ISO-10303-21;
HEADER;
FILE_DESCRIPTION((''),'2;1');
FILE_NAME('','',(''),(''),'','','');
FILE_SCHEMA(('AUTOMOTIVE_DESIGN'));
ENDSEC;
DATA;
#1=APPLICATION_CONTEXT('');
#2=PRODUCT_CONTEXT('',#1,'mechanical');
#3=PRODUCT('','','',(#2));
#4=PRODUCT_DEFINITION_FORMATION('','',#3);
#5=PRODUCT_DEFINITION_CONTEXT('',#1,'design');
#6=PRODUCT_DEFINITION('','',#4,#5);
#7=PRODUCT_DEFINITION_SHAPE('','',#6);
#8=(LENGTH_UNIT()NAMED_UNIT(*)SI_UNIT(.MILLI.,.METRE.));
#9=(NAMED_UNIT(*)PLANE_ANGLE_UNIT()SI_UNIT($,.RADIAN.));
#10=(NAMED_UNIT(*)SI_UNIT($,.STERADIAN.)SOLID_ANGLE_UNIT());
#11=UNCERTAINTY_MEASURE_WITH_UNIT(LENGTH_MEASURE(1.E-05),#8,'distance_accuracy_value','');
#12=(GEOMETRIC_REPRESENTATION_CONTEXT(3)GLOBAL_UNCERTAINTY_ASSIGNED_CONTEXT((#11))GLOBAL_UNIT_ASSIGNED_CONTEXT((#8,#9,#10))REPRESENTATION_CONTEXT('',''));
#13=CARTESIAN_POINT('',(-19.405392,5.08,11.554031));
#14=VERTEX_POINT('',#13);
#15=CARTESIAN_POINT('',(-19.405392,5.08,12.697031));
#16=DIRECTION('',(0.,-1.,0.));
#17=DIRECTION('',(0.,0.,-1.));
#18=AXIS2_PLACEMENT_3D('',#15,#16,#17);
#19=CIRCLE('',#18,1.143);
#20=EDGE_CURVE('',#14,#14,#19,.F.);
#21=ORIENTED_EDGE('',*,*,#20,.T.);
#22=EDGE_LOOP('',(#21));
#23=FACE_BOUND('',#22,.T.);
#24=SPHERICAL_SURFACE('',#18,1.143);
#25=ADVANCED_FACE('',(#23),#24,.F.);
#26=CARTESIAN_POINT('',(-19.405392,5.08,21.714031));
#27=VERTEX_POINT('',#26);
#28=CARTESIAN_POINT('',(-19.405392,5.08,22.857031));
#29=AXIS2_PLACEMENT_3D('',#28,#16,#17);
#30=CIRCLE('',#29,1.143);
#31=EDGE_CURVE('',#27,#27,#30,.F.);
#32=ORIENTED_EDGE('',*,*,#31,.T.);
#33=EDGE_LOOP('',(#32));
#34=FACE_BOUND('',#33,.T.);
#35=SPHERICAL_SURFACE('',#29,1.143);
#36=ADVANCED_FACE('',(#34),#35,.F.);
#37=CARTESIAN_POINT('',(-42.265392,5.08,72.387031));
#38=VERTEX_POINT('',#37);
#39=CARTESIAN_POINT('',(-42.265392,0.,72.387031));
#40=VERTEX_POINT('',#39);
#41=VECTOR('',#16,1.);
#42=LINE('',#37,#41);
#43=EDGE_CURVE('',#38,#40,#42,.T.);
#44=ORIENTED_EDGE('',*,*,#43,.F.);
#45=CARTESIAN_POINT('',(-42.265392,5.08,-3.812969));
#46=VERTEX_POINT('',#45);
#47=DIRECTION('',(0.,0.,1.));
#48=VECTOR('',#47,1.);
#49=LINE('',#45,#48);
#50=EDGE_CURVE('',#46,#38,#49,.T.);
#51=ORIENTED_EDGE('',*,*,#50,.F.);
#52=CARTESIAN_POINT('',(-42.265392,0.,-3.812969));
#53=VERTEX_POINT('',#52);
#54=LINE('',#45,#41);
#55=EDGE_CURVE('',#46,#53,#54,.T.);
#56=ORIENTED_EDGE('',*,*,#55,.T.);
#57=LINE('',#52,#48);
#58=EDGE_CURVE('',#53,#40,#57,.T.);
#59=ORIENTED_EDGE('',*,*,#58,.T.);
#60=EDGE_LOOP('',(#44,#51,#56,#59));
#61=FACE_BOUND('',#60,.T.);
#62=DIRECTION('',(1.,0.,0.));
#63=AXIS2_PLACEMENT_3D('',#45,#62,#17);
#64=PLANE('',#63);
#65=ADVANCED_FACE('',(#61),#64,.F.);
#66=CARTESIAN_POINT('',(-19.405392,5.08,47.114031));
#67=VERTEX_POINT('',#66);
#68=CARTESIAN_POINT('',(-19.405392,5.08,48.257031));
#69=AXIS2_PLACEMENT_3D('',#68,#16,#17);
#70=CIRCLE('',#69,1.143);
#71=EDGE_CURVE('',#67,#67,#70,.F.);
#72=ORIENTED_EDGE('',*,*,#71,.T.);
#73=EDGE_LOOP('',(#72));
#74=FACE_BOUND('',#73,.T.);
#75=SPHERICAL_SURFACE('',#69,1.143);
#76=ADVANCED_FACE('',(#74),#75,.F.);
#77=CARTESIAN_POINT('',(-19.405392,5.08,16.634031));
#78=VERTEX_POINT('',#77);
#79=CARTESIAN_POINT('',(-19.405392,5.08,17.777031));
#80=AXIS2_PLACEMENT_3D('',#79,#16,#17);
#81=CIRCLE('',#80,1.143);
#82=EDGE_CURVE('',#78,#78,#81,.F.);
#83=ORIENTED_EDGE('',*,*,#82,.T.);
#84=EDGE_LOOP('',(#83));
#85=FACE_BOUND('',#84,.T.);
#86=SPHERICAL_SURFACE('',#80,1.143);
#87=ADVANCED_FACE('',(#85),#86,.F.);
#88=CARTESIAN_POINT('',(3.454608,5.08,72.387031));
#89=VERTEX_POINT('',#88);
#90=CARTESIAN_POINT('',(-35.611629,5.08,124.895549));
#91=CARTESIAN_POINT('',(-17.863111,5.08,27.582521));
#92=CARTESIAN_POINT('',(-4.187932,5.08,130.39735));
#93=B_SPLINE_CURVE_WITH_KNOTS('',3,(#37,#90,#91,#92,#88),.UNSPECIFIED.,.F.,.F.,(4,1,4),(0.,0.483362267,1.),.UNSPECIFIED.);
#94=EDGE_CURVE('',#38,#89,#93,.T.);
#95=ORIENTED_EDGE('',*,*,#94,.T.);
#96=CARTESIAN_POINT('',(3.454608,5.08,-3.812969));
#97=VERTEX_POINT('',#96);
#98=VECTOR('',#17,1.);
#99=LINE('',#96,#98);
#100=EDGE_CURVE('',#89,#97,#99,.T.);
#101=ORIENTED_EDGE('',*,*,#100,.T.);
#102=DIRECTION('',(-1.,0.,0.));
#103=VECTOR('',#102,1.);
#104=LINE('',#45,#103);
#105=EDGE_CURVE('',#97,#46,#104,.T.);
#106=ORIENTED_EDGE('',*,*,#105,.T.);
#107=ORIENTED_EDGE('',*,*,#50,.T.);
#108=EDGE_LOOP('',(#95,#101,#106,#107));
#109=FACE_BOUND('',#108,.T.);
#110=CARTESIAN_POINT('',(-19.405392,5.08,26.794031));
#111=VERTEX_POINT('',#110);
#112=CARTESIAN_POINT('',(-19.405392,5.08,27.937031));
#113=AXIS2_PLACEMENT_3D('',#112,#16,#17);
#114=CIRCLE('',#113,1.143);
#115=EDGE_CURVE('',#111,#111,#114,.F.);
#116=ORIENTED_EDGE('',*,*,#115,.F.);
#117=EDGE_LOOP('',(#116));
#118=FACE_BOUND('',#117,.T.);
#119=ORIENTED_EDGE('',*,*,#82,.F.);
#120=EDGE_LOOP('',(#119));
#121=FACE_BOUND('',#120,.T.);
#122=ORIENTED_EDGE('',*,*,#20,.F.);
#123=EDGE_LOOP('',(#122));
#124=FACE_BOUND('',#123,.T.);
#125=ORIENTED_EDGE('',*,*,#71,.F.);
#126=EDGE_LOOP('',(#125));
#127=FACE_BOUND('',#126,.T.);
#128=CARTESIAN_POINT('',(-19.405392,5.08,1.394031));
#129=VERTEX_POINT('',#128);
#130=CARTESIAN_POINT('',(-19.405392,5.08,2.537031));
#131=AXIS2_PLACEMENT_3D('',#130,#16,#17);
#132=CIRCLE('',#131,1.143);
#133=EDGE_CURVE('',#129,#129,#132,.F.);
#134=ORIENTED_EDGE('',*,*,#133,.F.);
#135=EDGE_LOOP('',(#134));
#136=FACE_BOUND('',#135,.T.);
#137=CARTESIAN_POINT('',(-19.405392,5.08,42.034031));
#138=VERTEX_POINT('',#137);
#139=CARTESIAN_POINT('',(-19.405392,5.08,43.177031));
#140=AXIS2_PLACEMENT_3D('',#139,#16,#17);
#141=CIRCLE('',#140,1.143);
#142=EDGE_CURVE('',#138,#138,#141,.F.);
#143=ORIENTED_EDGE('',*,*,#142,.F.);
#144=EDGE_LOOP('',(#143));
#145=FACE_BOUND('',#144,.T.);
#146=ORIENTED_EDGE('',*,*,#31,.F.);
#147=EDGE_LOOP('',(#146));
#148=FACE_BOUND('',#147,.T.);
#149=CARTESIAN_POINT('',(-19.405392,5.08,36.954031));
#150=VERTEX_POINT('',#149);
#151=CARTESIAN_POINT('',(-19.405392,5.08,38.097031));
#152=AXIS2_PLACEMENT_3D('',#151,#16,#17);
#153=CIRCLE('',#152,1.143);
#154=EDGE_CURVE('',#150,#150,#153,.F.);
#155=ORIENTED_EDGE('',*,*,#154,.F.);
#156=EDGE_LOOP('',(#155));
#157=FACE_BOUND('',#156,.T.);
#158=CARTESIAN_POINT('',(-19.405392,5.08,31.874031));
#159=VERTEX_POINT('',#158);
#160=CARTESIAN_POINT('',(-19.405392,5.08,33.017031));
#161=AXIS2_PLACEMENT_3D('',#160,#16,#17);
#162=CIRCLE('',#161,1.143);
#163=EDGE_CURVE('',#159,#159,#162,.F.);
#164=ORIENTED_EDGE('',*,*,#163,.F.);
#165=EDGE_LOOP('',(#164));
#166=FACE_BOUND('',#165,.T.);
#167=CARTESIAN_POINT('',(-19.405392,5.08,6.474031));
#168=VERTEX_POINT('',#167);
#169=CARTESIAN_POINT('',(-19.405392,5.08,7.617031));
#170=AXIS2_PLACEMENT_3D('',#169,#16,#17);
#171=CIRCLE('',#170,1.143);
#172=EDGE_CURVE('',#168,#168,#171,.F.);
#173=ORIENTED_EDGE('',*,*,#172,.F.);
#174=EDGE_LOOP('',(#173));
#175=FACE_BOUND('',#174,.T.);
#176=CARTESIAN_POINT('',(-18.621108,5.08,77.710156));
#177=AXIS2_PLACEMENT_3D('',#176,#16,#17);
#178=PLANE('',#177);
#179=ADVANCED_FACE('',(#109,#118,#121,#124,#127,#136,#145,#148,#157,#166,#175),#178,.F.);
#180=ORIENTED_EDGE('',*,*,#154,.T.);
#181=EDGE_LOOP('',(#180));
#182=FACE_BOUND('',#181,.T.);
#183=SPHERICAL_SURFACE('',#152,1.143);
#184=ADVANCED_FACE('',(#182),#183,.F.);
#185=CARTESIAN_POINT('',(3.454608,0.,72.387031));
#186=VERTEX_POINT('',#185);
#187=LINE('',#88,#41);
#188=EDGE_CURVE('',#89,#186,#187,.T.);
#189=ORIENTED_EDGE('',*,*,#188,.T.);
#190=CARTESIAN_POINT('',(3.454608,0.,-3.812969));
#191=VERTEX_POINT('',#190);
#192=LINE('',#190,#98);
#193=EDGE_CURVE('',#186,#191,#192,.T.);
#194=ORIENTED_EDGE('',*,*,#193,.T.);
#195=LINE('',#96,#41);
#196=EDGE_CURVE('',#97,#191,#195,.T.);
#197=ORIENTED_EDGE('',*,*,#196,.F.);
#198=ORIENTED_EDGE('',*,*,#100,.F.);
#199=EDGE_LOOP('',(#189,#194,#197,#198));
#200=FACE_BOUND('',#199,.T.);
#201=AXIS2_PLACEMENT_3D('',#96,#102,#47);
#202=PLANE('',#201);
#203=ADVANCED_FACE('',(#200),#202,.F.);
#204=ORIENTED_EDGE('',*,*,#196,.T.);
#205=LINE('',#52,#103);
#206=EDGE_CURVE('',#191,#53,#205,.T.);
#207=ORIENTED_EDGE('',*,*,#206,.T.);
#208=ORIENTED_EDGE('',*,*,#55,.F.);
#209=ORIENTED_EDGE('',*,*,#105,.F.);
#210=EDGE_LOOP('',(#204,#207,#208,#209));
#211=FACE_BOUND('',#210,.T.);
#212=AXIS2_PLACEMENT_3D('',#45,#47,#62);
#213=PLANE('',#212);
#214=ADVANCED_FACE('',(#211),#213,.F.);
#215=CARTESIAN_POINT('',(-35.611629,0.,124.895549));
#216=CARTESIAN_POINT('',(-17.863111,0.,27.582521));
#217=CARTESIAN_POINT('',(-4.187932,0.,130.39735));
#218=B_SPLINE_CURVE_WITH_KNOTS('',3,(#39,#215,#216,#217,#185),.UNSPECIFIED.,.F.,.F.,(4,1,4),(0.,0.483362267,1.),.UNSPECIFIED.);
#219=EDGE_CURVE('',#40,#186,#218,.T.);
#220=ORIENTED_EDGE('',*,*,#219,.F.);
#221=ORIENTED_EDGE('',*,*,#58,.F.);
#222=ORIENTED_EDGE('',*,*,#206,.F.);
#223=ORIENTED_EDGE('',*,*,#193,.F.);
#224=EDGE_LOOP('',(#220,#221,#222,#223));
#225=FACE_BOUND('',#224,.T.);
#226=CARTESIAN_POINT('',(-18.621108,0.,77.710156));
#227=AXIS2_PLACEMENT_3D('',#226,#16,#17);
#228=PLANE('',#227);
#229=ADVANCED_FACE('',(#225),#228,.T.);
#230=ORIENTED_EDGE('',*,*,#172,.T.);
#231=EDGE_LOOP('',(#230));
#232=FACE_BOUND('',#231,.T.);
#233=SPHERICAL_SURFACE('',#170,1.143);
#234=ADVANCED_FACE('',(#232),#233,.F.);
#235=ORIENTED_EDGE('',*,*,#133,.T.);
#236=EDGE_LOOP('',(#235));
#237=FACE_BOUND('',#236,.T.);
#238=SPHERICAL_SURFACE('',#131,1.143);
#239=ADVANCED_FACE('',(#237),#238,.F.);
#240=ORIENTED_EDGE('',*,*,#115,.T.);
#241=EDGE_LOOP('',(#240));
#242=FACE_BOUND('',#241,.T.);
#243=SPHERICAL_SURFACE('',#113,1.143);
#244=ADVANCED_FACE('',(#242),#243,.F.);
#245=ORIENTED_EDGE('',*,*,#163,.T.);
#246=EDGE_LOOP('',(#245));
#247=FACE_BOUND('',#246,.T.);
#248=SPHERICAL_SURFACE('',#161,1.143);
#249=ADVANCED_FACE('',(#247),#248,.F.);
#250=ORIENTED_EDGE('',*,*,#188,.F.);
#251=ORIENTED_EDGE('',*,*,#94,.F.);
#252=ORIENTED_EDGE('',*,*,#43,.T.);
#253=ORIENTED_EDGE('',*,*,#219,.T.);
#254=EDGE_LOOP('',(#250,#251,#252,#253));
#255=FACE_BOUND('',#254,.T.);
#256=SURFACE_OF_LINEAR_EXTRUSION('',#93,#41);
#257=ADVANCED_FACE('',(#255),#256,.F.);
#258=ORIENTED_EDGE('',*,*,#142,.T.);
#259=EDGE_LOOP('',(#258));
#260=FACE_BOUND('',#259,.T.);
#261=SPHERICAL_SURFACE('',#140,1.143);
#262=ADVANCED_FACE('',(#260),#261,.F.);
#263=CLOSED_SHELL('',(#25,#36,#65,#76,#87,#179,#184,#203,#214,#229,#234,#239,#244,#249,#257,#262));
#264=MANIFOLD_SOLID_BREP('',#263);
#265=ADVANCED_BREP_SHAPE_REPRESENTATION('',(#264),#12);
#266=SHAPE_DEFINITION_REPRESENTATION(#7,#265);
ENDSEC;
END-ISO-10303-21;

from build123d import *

# Parameters (mm, degrees)
BOSS_EXTRUDE1_DEPTH = 5.08
LPATTERN1_COUNT     = 10
LPATTERN1_PITCH     = 5.08


with BuildPart() as part:
    # Sketch1 → Boss-Extrude1 (new body)
    with BuildSketch(Plane(origin=(0, 0, 0), x_dir=(1, 0, 0), z_dir=(0, 1, 0))):
        with BuildLine():
            Line((-42.265392491, 3.812969283), (3.454607509, 3.812969283))
            Line((3.454607509, 3.812969283), (3.454607509, -72.387030717))
            add(Edge.make_bspline(
                [(-42.265392491, -72.387030717), (-35.611628709, -124.895548509), (-17.863111268, -27.582520746), (-4.18793222, -130.397350191), (3.454607509, -72.387030717)],
                knots=[0, 0, 0, 0, 0.483362267, 1, 1, 1, 1], degree=3))
            Line((-42.265392491, -72.387030717), (-42.265392491, 3.812969283))
        make_face()
    extrude(amount=BOSS_EXTRUDE1_DEPTH)

    # Sketch2 → Cut-Revolve1 (revolve, cut)
    with BuildSketch(Plane(origin=(0, 5.08, 0), x_dir=(1, 0, 0), z_dir=(0, 1, 0))):
        with BuildLine():
            Line((-20.548392491, -2.537030717), (-18.262392491, -2.537030717))
            ThreePointArc((-18.262392491, -2.537030717), (-19.405392491, -1.394030717), (-20.548392491, -2.537030717))
        make_face()
    cut_revolve1 = revolve(axis=Axis((-20.548392491, 5.08, 2.537030717), (1, 0, 0)), mode=Mode.SUBTRACT)

    # LPattern1: Cut-Revolve1 ×10
    with Locations(*[(0, 0, i * LPATTERN1_PITCH) for i in range(1, LPATTERN1_COUNT)]):
        add(cut_revolve1, mode=Mode.SUBTRACT)


solid = part.part
